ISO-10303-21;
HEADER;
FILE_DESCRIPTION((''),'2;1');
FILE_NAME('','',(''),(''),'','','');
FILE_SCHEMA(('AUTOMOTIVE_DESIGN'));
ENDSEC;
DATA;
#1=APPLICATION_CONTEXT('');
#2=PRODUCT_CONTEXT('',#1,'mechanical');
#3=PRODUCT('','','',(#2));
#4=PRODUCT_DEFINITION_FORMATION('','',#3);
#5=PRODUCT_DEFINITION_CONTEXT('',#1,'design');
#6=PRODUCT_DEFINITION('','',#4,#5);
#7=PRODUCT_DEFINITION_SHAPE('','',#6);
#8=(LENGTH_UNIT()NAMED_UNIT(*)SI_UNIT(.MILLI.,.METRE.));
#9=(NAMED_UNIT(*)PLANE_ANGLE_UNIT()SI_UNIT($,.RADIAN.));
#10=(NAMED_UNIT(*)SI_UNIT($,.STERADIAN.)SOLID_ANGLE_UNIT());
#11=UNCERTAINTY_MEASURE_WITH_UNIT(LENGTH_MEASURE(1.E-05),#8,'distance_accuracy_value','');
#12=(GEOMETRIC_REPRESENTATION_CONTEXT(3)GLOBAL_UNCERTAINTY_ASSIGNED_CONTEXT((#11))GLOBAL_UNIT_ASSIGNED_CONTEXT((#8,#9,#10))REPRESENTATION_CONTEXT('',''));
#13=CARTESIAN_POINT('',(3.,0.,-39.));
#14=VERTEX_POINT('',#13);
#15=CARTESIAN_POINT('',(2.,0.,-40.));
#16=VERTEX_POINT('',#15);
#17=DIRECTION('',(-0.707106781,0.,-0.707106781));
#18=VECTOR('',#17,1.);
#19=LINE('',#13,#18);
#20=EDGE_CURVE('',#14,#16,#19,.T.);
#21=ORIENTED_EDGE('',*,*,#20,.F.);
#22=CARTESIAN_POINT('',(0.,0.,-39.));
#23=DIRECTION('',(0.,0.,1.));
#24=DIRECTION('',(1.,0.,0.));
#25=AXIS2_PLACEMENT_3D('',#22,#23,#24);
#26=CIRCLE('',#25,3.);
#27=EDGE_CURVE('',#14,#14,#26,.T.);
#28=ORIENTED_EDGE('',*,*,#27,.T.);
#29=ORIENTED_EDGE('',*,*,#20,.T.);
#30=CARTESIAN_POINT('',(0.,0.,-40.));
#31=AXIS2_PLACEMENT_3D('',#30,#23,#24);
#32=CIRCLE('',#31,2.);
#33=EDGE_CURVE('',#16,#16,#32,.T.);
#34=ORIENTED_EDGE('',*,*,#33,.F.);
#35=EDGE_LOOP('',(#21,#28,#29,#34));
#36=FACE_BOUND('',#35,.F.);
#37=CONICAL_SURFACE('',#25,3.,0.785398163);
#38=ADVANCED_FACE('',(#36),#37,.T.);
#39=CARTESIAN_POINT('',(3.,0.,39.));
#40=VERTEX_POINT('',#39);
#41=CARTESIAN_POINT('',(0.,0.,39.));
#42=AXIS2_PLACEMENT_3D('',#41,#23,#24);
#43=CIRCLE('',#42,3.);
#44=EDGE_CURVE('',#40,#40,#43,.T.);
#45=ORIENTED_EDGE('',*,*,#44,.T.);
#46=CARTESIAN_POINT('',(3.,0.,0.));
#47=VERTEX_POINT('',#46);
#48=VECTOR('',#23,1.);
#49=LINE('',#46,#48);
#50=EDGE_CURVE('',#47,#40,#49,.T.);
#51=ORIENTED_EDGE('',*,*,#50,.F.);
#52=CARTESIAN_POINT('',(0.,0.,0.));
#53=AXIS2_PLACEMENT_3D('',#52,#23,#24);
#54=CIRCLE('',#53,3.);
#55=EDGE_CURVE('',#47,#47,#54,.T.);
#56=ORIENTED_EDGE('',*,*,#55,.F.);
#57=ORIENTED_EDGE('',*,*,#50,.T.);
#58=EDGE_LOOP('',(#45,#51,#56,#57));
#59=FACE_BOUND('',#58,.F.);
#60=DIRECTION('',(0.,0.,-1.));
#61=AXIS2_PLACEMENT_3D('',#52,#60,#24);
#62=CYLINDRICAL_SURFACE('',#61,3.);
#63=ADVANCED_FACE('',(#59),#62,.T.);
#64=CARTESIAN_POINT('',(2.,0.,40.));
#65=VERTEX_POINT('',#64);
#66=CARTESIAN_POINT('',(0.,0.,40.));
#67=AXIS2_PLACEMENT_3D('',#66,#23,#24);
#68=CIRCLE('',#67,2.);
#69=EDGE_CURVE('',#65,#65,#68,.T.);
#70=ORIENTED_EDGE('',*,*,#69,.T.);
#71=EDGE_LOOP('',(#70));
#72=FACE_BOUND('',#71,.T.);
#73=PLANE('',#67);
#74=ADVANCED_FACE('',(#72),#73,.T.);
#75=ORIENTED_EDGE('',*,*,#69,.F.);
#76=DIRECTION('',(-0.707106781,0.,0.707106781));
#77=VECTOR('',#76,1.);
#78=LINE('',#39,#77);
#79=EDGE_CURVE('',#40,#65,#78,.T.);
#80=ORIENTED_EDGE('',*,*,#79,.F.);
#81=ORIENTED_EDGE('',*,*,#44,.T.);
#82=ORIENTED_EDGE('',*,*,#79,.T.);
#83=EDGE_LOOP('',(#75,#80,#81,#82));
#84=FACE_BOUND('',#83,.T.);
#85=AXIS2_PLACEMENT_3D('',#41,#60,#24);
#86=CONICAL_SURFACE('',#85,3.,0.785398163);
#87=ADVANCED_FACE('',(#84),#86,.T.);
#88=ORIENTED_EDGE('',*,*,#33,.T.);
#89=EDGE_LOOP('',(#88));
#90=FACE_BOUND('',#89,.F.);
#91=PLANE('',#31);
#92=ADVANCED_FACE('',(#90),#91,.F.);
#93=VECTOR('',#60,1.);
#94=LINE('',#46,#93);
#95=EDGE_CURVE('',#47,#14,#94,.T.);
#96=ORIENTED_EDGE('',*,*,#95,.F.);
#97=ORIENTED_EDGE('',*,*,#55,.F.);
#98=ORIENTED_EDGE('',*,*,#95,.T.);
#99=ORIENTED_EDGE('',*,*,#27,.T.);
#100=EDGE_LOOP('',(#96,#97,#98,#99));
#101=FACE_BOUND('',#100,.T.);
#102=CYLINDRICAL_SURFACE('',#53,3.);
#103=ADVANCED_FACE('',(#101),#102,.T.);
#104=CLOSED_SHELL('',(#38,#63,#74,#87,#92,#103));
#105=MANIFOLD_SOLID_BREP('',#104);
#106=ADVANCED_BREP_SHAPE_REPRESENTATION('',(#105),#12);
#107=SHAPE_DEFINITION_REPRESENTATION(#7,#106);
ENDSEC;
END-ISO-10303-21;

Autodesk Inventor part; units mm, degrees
ref_plane "YZ Plane" through (0, 0, 0) normal (1, 0, 0) x (0, 1, 0)
ref_plane "XZ Plane" through (0, 0, 0) normal (0, 1, 0) x (-1, 0, 0)
sketch "Sketch1" plane through (0, 0, 0) normal (0, 0, 1) x (1, 0, 0)
  circle A0 centre (0, 0) radius 3
  dimension "d0" = 6
extrude "Extrusion1" add sketch "Sketch1" along normal mid plane 80
chamfer "Chamfer2" distance 1 angle 45 2 edges at (-3, 0, -40) (-3, 0, 40)
thread "Thread1" size "M6x1" class "6g" standard "ANSI Metric M Profile" length 10
thread "Thread2" size "M6x1" class "6g" standard "ANSI Metric M Profile" length 10
properties part number "HandleBody"
